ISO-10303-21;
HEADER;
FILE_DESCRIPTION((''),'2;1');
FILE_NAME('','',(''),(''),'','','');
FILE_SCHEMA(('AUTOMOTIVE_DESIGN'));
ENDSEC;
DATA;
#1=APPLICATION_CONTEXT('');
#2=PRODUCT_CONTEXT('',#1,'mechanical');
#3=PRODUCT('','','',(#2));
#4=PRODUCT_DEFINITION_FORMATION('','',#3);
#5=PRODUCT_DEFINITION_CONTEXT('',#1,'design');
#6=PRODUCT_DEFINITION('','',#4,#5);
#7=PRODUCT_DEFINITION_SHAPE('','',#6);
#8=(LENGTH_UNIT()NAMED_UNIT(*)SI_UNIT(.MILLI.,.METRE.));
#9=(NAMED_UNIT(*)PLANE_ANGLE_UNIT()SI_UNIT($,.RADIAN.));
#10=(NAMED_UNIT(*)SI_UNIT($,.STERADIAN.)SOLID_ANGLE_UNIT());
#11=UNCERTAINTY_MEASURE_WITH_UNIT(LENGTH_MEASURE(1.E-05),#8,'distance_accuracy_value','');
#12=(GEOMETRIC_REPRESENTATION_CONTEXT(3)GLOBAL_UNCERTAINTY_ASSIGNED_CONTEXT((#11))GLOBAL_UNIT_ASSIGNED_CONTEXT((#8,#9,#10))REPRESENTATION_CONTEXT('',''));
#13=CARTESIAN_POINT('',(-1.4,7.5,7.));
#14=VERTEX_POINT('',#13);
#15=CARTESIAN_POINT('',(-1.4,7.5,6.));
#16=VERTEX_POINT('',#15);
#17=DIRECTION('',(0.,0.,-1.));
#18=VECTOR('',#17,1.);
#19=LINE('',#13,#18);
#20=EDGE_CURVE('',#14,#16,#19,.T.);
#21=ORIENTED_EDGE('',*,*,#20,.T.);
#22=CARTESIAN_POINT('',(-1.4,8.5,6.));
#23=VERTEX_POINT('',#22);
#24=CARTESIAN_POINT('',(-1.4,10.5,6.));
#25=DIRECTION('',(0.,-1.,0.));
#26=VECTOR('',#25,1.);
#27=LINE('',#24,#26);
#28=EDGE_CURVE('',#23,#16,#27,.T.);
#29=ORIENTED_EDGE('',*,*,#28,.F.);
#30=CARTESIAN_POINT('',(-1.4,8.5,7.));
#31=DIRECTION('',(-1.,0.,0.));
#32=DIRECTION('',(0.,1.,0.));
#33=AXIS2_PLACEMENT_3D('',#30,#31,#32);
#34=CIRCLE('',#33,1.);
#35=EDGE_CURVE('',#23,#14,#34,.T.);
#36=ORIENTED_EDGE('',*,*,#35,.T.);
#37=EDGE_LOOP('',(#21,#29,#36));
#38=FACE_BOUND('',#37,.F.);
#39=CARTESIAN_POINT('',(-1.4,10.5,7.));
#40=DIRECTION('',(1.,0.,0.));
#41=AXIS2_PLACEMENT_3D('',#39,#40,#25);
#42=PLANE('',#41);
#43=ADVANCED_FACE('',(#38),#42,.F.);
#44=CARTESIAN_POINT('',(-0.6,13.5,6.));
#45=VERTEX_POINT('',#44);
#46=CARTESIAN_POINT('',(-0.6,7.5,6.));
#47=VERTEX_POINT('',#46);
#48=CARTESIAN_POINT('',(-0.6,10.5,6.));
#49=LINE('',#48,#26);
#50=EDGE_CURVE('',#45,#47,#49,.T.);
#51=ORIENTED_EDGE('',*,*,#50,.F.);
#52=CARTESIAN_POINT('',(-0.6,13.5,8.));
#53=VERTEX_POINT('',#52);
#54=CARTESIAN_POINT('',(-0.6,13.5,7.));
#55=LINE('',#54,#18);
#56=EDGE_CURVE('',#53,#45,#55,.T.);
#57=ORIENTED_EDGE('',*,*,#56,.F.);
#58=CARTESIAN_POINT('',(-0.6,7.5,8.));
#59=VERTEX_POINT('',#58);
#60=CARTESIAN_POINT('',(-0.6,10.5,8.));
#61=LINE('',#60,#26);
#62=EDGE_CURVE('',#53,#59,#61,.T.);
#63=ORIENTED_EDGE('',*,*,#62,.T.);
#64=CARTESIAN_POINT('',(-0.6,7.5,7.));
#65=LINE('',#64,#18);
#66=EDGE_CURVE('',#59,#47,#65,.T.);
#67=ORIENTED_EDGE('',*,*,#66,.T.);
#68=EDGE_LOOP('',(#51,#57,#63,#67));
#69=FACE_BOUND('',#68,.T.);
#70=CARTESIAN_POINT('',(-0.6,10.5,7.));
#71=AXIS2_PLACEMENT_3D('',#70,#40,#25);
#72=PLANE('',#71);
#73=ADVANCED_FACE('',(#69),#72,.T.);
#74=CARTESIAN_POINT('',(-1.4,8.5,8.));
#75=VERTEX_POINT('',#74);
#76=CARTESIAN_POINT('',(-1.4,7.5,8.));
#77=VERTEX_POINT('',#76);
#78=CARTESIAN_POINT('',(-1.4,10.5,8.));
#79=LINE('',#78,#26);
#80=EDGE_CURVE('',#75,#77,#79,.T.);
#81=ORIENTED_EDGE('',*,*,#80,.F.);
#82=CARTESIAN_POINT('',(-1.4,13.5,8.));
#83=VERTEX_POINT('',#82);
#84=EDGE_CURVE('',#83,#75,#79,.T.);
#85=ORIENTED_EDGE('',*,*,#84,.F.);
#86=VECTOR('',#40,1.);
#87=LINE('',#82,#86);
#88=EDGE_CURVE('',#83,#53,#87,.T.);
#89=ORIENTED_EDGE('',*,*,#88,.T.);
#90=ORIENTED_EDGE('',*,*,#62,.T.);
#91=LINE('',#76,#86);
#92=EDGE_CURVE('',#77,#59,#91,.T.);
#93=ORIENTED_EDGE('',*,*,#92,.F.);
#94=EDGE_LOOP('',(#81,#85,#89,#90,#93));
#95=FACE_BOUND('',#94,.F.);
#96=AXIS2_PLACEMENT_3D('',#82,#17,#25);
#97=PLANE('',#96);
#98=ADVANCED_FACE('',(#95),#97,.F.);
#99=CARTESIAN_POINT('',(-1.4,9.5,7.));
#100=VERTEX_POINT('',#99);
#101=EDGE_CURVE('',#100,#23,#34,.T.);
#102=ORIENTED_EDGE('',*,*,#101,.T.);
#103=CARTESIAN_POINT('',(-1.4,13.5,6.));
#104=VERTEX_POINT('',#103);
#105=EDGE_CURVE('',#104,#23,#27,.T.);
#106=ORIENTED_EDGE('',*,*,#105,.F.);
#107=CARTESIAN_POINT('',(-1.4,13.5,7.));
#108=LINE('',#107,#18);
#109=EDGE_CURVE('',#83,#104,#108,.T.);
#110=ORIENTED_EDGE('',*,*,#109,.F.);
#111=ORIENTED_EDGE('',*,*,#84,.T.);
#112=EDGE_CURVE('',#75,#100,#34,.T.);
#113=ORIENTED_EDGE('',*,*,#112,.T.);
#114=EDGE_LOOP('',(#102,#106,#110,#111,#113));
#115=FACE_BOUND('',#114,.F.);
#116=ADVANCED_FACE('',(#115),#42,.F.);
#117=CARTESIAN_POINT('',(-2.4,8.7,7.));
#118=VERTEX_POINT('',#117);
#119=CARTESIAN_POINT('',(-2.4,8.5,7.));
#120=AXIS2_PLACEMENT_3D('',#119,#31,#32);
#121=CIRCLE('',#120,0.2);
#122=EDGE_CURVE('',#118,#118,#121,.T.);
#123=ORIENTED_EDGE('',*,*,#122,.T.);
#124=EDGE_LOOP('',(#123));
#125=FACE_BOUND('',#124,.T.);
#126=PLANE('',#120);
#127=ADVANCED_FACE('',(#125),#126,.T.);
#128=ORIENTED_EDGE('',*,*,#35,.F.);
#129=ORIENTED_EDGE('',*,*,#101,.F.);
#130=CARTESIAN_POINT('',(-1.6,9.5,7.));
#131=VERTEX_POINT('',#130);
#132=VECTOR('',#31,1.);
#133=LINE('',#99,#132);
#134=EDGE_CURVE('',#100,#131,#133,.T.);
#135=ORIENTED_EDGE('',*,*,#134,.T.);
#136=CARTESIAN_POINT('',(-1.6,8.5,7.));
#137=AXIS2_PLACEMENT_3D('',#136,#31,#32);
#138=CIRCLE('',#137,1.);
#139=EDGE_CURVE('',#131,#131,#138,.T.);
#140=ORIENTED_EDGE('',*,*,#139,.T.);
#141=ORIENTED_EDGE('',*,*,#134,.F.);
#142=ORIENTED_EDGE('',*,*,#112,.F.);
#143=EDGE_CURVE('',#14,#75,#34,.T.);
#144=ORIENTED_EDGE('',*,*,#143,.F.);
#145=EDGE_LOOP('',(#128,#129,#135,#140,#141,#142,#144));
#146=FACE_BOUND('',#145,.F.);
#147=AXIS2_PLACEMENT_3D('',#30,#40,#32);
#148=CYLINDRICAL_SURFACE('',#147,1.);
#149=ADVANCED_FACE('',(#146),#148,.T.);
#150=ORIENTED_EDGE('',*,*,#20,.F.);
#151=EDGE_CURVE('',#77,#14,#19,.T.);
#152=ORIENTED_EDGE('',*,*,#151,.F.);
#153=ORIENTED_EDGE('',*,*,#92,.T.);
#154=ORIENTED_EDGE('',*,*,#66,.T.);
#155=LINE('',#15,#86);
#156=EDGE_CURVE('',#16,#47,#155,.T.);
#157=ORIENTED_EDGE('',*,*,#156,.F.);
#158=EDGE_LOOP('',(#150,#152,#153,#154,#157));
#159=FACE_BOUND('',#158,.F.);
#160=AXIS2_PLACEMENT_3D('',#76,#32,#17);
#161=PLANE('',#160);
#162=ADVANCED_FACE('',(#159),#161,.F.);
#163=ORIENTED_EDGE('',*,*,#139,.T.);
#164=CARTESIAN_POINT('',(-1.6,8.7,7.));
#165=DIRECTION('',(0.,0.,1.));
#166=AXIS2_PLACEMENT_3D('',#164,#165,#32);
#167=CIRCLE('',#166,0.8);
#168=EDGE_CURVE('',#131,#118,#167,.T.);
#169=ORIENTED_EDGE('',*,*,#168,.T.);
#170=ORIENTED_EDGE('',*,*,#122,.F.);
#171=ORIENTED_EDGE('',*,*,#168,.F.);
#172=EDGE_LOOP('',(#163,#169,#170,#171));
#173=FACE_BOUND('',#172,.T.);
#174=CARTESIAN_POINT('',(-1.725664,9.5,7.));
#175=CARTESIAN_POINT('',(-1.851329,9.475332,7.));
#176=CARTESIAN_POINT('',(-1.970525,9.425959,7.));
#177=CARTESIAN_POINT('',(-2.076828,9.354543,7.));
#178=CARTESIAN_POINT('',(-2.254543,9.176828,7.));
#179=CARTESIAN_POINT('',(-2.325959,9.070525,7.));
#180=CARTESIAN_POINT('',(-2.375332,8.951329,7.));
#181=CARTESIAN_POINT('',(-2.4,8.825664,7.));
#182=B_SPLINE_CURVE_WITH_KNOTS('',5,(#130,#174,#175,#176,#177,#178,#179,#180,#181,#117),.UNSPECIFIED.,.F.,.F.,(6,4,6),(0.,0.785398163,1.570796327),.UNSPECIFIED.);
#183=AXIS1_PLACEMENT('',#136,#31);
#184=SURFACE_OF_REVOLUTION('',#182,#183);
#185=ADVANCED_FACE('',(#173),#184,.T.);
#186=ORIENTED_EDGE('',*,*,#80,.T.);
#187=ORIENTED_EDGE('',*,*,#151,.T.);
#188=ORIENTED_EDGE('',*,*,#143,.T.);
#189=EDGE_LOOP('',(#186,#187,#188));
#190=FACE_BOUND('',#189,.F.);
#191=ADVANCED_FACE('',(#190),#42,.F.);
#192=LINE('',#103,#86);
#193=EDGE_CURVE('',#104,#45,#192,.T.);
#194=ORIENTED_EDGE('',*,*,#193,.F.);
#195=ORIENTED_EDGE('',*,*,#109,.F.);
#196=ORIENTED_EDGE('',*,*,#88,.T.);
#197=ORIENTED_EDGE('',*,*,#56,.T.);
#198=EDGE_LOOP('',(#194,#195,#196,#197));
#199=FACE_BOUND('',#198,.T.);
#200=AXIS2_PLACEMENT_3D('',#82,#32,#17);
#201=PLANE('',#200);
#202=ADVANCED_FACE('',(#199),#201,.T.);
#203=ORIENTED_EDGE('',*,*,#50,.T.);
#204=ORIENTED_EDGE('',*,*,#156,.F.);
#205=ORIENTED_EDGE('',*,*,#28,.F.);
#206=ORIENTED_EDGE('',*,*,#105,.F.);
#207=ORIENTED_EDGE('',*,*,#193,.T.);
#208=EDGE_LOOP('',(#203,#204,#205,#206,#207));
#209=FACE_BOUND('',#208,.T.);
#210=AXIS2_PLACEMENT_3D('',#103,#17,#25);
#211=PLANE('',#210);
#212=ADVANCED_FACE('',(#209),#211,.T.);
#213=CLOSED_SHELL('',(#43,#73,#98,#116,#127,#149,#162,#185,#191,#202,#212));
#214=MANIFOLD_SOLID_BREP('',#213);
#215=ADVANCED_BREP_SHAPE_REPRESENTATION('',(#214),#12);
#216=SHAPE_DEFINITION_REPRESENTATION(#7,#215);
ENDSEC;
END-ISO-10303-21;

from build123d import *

# Parameters (mm, degrees)
SKETCH019_W  = 6
SKETCH019_H  = 2
PAD002_DEPTH = 0.8
SKETCH020_R  = 1
PAD003_DEPTH = 1
FILLET002_R  = 0.8


with BuildPart() as part:
    # Sketch019 → Pad002 (new body)
    with BuildSketch(Plane(origin=(-3, 16, 14), x_dir=(0, -1, 0), z_dir=(1, 0, 0))):
        with Locations((3, 1)):
            Rectangle(SKETCH019_W, SKETCH019_H)
    extrude(amount=PAD002_DEPTH)

    # Sketch020 (on Face5 of Pad002) → Pad003 (join)
    with BuildSketch(Plane(origin=(-3, 0, 0), x_dir=(0, 1, 0), z_dir=(-1, 0, 0))):
        with Locations((11, -13)):
            Circle(SKETCH020_R)
    extrude(amount=PAD003_DEPTH)

    # Fillet002
    fillet002_edges = [part.edges().sort_by_distance(p)[0] for p in [
        (-4, 10, 13),
    ]]
    fillet(fillet002_edges, radius=FILLET002_R)


with BuildPart() as part_1:
    # Body002 placement: moved
    add(part.part.moved(Location((-16, 0, 0))))


with BuildPart() as part_2:
    # Body003 placement: moved
    add(part_1.part.moved(Location((17.6, -2.5, -6))))


solid = part_2.part
